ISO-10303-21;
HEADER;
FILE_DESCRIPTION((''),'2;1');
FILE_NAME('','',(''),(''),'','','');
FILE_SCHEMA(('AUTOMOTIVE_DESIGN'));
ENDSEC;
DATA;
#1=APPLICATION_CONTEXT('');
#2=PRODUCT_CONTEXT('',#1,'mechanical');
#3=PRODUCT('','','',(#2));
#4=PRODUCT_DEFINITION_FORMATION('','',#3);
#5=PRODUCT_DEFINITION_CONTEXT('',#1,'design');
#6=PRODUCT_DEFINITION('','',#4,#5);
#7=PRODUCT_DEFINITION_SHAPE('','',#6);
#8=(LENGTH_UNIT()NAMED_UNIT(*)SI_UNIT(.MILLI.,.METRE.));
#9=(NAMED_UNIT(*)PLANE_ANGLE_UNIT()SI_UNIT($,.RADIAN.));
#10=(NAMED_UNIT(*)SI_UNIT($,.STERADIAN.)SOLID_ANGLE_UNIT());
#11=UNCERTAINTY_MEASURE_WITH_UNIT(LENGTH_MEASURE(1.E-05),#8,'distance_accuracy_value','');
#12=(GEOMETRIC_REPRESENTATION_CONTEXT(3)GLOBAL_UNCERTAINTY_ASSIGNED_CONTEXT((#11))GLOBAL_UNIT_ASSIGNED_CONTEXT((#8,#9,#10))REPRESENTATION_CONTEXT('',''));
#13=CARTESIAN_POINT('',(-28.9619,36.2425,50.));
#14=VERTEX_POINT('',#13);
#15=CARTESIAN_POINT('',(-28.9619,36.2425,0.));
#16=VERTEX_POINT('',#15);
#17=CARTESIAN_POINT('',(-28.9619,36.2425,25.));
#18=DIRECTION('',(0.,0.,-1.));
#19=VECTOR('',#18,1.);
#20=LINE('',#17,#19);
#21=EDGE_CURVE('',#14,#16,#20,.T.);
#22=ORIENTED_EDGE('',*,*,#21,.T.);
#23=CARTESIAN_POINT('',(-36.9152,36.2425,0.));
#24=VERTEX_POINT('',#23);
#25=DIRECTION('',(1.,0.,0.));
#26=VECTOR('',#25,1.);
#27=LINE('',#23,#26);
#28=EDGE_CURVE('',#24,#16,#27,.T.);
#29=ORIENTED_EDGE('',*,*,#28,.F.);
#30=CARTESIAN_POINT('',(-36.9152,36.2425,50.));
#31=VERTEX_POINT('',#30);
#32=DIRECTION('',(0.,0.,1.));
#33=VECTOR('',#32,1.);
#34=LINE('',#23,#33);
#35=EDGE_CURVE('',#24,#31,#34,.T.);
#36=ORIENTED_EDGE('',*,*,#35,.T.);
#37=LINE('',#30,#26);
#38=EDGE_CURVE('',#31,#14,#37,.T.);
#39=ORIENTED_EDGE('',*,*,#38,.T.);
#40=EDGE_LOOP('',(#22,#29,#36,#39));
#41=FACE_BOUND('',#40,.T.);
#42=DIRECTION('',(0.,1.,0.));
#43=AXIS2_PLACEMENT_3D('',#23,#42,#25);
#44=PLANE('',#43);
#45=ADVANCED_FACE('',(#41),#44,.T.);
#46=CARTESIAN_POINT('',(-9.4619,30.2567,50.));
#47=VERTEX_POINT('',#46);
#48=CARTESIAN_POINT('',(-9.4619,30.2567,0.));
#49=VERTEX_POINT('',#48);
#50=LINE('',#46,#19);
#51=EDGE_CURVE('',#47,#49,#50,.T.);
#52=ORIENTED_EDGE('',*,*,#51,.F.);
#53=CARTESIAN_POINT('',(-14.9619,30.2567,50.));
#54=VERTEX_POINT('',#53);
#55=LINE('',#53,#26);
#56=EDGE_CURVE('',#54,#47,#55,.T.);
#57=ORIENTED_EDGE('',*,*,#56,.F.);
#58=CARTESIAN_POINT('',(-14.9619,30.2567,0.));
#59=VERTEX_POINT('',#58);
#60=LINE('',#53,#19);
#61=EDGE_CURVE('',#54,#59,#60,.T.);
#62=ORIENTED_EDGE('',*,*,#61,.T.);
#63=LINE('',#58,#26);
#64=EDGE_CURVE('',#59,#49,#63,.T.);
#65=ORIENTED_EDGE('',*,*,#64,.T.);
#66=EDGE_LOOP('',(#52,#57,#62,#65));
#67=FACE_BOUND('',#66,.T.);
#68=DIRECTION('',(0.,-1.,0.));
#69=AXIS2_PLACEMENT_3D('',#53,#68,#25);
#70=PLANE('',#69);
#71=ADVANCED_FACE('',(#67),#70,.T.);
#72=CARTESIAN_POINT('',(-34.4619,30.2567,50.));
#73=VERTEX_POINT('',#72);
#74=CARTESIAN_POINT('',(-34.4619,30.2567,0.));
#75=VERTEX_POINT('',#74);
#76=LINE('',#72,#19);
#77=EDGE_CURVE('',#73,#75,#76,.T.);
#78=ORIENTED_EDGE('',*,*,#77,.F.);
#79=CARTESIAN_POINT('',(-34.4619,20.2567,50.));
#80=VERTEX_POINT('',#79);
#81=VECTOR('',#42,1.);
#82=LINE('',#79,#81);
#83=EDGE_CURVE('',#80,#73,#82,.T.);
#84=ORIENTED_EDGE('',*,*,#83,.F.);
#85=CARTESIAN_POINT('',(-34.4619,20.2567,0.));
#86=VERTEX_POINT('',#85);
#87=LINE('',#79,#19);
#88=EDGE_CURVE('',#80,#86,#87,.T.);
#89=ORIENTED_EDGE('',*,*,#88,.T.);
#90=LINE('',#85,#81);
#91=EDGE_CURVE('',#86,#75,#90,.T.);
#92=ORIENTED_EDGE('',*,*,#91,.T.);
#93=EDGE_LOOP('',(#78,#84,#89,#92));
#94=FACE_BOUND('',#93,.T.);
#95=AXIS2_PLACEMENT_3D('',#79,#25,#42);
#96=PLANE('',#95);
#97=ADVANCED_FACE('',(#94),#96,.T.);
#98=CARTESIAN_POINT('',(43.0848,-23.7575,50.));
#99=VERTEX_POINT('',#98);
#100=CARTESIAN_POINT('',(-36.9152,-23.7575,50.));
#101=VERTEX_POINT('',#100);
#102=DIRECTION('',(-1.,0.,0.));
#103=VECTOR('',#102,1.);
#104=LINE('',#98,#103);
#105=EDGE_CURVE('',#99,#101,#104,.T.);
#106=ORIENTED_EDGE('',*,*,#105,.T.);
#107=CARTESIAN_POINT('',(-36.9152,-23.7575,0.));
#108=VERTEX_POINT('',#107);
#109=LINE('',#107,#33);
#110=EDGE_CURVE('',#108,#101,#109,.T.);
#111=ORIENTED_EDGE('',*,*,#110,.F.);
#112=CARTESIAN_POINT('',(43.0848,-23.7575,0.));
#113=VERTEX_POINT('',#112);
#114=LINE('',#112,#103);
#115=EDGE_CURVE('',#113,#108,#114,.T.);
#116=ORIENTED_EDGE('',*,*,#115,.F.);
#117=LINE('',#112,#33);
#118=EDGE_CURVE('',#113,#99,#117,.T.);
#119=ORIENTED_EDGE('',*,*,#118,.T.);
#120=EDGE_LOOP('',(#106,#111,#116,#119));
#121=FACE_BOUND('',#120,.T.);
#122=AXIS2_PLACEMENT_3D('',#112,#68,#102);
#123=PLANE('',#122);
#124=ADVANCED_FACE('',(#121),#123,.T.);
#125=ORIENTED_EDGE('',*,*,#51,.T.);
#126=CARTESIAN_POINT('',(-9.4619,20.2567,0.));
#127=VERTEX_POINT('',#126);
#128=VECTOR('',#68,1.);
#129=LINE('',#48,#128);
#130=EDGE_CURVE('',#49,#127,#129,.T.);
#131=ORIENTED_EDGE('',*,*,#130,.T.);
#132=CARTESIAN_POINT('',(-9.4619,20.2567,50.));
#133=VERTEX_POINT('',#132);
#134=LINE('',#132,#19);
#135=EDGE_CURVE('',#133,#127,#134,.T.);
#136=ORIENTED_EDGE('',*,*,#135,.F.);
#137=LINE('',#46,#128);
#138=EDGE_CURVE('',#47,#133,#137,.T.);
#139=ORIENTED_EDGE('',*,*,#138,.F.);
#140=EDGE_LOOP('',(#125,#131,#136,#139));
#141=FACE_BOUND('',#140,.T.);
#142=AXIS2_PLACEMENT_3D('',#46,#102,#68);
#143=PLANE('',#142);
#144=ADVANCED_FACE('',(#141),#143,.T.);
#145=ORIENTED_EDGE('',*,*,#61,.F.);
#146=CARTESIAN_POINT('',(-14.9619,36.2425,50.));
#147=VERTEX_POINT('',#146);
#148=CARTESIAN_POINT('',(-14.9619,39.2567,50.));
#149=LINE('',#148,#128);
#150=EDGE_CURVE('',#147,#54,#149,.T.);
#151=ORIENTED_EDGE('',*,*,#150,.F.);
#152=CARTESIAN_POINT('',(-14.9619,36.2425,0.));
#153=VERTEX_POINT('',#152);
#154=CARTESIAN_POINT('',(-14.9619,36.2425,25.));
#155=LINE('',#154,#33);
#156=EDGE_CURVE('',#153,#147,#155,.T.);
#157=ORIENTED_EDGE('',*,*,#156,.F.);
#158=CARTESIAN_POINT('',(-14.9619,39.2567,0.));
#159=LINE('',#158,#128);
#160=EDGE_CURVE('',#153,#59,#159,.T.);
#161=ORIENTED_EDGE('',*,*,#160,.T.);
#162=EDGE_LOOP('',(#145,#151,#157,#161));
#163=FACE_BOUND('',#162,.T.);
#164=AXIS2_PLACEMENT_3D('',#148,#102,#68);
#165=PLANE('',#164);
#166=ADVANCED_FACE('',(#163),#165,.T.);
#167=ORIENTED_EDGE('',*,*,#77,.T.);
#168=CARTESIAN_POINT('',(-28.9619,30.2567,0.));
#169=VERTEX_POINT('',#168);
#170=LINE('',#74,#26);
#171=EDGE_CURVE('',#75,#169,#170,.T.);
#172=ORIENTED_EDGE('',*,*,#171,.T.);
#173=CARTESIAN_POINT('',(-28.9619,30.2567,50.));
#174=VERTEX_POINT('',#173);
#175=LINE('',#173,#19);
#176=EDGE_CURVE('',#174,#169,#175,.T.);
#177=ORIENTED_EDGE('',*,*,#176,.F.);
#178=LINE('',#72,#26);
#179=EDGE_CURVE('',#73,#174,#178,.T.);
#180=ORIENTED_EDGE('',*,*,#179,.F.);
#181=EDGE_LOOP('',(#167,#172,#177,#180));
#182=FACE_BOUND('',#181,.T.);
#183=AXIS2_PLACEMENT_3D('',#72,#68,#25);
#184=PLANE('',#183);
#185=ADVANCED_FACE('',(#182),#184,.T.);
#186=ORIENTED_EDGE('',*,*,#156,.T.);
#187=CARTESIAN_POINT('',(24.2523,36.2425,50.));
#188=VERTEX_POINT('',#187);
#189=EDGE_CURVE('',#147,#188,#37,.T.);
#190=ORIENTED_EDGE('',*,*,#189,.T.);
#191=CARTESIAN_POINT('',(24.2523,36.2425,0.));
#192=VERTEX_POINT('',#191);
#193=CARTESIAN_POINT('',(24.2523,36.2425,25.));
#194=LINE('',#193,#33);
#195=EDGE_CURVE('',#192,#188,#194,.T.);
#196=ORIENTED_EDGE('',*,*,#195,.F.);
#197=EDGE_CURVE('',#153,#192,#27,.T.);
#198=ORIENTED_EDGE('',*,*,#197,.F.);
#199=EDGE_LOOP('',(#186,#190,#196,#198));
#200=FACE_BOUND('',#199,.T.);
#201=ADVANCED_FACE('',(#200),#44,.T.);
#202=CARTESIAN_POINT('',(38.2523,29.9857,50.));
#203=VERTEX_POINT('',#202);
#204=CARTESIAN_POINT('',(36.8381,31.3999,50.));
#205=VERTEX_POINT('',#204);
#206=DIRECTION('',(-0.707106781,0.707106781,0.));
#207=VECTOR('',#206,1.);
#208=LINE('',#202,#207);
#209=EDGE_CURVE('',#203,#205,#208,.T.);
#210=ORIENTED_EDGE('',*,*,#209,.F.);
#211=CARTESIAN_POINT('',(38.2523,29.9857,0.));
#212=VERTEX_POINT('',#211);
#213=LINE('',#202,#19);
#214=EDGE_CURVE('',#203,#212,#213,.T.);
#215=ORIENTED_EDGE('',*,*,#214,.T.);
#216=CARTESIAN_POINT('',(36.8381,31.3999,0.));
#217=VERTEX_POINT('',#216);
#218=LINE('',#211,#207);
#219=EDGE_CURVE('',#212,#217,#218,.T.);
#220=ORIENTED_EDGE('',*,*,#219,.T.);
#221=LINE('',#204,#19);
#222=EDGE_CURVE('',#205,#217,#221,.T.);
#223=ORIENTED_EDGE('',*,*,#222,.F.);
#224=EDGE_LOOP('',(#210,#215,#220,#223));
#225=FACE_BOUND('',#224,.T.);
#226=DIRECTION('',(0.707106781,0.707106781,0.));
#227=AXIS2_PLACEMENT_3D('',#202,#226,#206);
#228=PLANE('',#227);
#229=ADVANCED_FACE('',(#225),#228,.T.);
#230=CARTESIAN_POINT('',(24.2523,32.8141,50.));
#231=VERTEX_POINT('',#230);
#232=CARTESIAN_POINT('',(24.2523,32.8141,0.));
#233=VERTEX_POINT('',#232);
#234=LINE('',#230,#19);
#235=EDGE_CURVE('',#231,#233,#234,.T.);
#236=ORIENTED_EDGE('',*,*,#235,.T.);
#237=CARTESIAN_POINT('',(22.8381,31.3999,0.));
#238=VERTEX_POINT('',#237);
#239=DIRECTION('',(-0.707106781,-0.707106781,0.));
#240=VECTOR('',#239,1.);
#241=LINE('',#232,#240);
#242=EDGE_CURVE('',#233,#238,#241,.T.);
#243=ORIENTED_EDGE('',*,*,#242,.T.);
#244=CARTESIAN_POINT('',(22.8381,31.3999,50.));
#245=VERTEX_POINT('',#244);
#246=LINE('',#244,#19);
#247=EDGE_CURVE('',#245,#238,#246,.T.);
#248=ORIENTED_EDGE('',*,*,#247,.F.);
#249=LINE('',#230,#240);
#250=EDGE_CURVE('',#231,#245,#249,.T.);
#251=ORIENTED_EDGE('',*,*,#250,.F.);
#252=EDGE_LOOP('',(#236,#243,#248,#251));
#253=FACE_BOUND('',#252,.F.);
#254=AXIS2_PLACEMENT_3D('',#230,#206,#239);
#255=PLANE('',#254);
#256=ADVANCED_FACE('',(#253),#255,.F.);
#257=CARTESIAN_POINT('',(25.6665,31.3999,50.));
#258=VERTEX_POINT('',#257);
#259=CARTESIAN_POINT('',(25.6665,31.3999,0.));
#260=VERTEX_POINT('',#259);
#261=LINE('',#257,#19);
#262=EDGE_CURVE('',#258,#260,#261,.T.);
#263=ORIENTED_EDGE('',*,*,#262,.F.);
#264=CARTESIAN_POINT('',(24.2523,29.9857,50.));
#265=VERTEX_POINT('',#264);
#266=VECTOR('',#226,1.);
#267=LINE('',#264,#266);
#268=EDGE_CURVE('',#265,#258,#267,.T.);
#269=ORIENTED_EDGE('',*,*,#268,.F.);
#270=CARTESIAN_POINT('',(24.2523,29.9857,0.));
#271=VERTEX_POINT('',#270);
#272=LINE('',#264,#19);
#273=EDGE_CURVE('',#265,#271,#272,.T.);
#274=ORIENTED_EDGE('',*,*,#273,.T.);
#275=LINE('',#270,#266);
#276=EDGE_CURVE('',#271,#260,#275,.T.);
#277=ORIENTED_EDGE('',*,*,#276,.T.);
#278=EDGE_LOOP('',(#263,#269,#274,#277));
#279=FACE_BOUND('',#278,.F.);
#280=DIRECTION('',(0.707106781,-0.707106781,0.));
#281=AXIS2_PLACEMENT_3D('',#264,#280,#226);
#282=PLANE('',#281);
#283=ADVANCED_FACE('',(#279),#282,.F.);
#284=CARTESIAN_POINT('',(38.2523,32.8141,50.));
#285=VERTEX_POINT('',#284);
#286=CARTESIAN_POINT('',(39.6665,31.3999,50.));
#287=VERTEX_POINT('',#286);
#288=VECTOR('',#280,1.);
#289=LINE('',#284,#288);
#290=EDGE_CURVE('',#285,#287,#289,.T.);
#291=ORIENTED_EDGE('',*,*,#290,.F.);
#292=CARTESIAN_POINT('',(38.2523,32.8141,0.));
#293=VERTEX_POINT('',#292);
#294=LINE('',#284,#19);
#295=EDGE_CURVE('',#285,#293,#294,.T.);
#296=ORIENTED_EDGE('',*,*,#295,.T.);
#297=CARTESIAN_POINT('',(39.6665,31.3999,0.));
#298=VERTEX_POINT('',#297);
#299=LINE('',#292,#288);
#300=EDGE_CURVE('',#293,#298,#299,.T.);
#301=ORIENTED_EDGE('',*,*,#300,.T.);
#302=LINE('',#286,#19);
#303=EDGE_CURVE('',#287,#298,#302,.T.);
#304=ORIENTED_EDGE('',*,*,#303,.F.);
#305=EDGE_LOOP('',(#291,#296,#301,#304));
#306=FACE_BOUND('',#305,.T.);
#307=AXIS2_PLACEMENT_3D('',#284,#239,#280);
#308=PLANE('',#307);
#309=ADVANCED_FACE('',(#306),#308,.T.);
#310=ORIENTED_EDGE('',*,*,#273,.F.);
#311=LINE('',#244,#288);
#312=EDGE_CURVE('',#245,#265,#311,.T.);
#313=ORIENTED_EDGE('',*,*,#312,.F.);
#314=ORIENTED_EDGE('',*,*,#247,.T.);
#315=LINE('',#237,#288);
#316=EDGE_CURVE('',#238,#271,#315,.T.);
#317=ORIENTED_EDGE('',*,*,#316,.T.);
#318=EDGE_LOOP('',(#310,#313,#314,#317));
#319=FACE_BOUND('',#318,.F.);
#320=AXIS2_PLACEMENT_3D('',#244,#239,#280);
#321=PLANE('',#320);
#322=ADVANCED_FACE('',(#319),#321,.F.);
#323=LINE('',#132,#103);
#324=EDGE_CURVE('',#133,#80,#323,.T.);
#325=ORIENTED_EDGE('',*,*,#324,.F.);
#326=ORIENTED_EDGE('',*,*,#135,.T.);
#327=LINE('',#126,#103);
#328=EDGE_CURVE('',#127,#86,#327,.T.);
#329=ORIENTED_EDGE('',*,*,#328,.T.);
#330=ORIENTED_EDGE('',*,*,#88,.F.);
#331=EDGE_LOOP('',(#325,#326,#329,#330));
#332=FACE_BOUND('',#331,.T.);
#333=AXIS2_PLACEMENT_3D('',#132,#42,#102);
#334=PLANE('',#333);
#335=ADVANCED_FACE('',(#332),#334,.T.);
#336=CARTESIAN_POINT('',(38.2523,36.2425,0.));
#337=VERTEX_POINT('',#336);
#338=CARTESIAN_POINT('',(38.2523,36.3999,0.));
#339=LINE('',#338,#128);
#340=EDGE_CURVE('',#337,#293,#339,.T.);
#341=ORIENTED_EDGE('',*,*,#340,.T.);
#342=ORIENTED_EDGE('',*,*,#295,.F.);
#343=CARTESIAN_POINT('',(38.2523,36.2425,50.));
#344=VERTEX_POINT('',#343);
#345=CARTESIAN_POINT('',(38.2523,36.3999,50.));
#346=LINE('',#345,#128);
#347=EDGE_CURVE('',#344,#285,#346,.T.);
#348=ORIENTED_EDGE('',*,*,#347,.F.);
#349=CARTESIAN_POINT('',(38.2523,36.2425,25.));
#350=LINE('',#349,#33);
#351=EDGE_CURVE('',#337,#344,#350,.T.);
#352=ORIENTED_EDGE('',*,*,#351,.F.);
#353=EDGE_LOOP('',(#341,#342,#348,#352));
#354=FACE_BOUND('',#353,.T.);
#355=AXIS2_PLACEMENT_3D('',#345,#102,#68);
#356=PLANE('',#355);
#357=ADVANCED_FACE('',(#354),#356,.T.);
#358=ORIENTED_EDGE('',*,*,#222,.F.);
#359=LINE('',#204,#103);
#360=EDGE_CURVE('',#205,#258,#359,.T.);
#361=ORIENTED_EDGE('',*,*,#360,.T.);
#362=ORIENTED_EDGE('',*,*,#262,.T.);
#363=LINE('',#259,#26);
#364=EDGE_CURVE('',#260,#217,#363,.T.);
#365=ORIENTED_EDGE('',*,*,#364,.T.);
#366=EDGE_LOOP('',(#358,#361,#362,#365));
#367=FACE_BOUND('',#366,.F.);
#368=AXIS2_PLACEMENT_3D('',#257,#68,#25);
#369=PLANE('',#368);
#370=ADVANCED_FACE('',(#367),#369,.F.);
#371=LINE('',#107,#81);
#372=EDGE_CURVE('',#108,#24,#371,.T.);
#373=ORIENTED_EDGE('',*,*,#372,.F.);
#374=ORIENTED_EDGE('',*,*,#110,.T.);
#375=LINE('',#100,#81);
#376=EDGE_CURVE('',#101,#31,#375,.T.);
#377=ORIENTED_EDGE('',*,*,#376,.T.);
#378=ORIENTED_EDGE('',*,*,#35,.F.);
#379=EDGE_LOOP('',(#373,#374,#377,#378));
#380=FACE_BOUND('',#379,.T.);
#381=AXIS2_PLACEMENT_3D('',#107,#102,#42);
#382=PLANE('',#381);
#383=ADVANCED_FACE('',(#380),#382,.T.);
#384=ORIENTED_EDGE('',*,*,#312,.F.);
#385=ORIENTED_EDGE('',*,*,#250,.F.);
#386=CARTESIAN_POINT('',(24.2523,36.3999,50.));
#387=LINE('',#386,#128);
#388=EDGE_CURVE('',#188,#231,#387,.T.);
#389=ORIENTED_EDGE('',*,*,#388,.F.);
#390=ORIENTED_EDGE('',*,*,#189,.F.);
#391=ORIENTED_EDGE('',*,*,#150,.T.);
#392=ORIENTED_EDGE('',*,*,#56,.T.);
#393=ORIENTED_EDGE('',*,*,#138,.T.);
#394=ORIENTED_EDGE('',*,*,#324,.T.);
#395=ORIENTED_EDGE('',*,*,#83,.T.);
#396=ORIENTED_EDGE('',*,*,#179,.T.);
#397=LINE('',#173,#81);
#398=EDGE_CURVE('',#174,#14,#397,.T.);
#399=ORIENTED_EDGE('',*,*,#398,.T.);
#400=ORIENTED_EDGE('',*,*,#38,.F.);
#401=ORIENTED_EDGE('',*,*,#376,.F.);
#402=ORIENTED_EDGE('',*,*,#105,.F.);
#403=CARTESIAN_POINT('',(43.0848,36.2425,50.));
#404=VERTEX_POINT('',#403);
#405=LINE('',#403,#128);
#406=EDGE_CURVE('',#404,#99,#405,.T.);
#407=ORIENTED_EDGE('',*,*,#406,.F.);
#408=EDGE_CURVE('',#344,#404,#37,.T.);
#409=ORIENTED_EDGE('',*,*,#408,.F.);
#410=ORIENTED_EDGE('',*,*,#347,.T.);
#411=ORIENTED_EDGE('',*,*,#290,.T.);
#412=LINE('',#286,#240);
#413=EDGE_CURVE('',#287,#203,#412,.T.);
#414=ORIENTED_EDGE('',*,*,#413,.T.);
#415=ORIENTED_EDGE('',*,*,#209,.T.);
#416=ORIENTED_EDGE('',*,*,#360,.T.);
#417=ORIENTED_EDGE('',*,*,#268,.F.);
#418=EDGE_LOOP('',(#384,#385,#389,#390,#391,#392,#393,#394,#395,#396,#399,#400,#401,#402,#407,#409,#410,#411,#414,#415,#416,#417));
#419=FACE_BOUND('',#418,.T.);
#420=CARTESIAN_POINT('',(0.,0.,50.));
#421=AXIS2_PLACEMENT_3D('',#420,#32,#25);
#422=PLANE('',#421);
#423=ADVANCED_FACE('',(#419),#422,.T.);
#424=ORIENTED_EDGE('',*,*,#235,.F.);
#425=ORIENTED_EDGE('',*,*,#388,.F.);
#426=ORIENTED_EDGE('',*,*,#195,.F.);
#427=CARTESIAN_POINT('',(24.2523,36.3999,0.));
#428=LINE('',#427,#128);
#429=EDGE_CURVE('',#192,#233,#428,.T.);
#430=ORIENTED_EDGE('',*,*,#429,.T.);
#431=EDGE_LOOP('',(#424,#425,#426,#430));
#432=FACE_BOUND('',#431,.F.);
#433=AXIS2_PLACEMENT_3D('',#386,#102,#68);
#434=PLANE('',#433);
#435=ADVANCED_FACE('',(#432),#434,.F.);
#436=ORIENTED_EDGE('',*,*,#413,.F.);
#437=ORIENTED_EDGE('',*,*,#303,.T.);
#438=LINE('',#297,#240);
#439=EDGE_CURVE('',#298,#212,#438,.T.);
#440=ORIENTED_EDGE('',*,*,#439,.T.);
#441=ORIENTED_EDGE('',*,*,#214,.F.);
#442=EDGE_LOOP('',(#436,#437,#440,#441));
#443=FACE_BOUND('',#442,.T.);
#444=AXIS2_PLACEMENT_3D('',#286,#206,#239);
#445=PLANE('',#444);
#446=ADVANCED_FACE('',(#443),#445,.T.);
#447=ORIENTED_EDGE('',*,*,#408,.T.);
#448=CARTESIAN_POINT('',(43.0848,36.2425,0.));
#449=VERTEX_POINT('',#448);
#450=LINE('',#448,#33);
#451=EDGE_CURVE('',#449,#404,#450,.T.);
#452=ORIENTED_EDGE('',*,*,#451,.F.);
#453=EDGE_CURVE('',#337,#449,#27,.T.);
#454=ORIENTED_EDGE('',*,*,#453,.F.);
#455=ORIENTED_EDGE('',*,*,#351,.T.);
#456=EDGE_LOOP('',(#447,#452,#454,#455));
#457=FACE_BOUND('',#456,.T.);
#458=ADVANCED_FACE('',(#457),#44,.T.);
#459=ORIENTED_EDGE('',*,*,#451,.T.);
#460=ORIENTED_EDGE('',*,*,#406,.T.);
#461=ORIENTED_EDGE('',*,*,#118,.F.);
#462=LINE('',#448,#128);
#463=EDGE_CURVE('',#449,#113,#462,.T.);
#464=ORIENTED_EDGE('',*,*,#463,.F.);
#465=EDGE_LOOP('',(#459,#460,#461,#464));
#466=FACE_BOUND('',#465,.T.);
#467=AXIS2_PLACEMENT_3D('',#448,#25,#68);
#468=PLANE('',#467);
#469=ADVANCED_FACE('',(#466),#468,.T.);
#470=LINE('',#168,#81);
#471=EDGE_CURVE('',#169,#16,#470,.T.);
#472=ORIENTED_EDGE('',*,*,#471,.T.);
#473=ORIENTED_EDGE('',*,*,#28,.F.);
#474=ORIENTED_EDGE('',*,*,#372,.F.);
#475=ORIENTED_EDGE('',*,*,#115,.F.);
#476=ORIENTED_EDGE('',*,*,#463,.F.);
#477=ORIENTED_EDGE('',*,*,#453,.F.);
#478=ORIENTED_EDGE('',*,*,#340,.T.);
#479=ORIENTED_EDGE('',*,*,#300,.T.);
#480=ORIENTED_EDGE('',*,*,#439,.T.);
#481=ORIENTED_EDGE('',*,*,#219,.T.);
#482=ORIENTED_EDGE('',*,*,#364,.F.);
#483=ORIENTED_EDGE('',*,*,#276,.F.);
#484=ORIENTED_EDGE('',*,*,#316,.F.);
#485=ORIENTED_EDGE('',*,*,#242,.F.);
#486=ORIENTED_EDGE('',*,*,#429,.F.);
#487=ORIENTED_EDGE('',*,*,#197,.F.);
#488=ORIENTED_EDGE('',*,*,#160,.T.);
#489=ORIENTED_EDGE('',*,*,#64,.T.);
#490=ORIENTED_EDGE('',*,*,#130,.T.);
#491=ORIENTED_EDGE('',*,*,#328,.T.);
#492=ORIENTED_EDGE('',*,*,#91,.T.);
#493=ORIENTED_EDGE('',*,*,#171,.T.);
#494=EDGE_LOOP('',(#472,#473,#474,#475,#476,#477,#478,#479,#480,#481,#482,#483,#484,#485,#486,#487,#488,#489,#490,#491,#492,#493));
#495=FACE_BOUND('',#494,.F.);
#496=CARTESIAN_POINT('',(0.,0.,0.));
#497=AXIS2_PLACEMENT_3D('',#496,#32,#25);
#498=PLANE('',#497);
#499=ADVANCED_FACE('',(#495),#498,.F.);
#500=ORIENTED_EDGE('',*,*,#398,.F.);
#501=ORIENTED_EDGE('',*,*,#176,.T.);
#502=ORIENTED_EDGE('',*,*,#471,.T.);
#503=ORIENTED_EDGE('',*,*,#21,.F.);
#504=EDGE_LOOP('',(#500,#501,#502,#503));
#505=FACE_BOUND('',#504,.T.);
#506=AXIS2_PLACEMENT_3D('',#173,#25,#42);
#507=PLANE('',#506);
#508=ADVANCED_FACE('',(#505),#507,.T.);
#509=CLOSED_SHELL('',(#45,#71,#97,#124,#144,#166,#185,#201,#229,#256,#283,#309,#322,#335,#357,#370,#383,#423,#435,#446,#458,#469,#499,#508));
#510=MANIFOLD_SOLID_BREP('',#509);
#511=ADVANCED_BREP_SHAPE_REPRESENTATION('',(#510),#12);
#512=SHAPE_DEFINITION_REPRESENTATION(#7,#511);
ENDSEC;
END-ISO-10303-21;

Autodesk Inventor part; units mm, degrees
ref_plane "YZ Plane" through (0, 0, 0) normal (1, 0, 0) x (0, 1, 0)
ref_plane "XZ Plane" through (0, 0, 0) normal (0, 1, 0) x (-1, 0, 0)
ref_plane "XY Plane" through (0, 0, 0) normal (0, 0, 1) x (1, 0, 0)
sketch "Sketch1" plane through (0, 0, 0) normal (0, 0, 1) x (1, 0, 0)
  line L0 (-36.9152, 36.2425) -> (43.0848, 36.2425)
  line L1 (43.0848, 36.2425) -> (43.0848, -23.7575)
  line L2 (43.0848, -23.7575) -> (-36.9152, -23.7575)
  line L3 (-36.9152, -23.7575) -> (-36.9152, 36.2425)
  point P0 (0, 0)
  dimension "d0" = 80
  dimension "d1" = 60
extrude "Extrusion1" add sketch "Sketch1" along normal blind 50
sketch "Sketch2" plane through (0, 0, 50) normal (0, 0, 1) x (1, 0, 0)
  line L0 (-34.4619, 20.2567) -> (-34.4619, 30.2567)
  line L1 (-34.4619, 30.2567) -> (-28.9619, 30.2567)
  line L2 (-28.9619, 30.2567) -> (-28.9619, 39.2567)
  line L3 (-28.9619, 39.2567) -> (-14.9619, 39.2567)
  line L4 (-14.9619, 39.2567) -> (-14.9619, 30.2567)
  line L5 (-14.9619, 30.2567) -> (-9.4619, 30.2567)
  line L6 (-9.4619, 30.2567) -> (-9.4619, 20.2567)
  line L7 (-9.4619, 20.2567) -> (-34.4619, 20.2567)
  point P0 (0, 0)
  point P1 (-21.9619, 39.2567)
  dimension "d4" = 14
  dimension "d5" = 9
  dimension "d6" = 10
  dimension "d7" = 12.5
  dimension "d8" = 25
  dimension "d9" = 7
extrude "Extrusion2" cut sketch "Sketch2" against normal blind 50
sketch "Sketch5" plane through (0, 0, 50) normal (0, 0, 1) x (1, 0, 0)
  line L0 (31.2523, 36.3999) -> (38.2523, 36.3999)
  line L1 (38.2523, 36.3999) -> (38.2523, 32.8141)
  line L2 (38.2523, 32.8141) -> (39.6665, 31.3999)
  line L3 (39.6665, 31.3999) -> (38.2523, 29.9857)
  line L4 (38.2523, 29.9857) -> (36.8381, 31.3999)
  line L5 (36.8381, 31.3999) -> (31.2523, 31.3999)
  line L6 (31.2523, 36.3999) -> (31.2523, 31.3999) construction
  line L7 (31.2523, 36.3999) -> (24.2523, 36.3999)
  line L8 (24.2523, 36.3999) -> (24.2523, 32.8141)
  line L9 (24.2523, 32.8141) -> (22.8381, 31.3999)
  line L10 (22.8381, 31.3999) -> (24.2523, 29.9857)
  line L11 (24.2523, 29.9857) -> (25.6665, 31.3999)
  line L12 (25.6665, 31.3999) -> (31.2523, 31.3999)
  point P0 (0, 0)
  dimension "d27" = 7
  dimension "d28" = 2
  dimension "d29" = 2
  dimension "d30" = 135
  dimension "d31" = 90
  dimension "d32" = 5
  dimension "d33" = 2
extrude "Extrusion3" cut sketch "Sketch5" against normal blind 50
properties part number "PiesaSuportCanale"
